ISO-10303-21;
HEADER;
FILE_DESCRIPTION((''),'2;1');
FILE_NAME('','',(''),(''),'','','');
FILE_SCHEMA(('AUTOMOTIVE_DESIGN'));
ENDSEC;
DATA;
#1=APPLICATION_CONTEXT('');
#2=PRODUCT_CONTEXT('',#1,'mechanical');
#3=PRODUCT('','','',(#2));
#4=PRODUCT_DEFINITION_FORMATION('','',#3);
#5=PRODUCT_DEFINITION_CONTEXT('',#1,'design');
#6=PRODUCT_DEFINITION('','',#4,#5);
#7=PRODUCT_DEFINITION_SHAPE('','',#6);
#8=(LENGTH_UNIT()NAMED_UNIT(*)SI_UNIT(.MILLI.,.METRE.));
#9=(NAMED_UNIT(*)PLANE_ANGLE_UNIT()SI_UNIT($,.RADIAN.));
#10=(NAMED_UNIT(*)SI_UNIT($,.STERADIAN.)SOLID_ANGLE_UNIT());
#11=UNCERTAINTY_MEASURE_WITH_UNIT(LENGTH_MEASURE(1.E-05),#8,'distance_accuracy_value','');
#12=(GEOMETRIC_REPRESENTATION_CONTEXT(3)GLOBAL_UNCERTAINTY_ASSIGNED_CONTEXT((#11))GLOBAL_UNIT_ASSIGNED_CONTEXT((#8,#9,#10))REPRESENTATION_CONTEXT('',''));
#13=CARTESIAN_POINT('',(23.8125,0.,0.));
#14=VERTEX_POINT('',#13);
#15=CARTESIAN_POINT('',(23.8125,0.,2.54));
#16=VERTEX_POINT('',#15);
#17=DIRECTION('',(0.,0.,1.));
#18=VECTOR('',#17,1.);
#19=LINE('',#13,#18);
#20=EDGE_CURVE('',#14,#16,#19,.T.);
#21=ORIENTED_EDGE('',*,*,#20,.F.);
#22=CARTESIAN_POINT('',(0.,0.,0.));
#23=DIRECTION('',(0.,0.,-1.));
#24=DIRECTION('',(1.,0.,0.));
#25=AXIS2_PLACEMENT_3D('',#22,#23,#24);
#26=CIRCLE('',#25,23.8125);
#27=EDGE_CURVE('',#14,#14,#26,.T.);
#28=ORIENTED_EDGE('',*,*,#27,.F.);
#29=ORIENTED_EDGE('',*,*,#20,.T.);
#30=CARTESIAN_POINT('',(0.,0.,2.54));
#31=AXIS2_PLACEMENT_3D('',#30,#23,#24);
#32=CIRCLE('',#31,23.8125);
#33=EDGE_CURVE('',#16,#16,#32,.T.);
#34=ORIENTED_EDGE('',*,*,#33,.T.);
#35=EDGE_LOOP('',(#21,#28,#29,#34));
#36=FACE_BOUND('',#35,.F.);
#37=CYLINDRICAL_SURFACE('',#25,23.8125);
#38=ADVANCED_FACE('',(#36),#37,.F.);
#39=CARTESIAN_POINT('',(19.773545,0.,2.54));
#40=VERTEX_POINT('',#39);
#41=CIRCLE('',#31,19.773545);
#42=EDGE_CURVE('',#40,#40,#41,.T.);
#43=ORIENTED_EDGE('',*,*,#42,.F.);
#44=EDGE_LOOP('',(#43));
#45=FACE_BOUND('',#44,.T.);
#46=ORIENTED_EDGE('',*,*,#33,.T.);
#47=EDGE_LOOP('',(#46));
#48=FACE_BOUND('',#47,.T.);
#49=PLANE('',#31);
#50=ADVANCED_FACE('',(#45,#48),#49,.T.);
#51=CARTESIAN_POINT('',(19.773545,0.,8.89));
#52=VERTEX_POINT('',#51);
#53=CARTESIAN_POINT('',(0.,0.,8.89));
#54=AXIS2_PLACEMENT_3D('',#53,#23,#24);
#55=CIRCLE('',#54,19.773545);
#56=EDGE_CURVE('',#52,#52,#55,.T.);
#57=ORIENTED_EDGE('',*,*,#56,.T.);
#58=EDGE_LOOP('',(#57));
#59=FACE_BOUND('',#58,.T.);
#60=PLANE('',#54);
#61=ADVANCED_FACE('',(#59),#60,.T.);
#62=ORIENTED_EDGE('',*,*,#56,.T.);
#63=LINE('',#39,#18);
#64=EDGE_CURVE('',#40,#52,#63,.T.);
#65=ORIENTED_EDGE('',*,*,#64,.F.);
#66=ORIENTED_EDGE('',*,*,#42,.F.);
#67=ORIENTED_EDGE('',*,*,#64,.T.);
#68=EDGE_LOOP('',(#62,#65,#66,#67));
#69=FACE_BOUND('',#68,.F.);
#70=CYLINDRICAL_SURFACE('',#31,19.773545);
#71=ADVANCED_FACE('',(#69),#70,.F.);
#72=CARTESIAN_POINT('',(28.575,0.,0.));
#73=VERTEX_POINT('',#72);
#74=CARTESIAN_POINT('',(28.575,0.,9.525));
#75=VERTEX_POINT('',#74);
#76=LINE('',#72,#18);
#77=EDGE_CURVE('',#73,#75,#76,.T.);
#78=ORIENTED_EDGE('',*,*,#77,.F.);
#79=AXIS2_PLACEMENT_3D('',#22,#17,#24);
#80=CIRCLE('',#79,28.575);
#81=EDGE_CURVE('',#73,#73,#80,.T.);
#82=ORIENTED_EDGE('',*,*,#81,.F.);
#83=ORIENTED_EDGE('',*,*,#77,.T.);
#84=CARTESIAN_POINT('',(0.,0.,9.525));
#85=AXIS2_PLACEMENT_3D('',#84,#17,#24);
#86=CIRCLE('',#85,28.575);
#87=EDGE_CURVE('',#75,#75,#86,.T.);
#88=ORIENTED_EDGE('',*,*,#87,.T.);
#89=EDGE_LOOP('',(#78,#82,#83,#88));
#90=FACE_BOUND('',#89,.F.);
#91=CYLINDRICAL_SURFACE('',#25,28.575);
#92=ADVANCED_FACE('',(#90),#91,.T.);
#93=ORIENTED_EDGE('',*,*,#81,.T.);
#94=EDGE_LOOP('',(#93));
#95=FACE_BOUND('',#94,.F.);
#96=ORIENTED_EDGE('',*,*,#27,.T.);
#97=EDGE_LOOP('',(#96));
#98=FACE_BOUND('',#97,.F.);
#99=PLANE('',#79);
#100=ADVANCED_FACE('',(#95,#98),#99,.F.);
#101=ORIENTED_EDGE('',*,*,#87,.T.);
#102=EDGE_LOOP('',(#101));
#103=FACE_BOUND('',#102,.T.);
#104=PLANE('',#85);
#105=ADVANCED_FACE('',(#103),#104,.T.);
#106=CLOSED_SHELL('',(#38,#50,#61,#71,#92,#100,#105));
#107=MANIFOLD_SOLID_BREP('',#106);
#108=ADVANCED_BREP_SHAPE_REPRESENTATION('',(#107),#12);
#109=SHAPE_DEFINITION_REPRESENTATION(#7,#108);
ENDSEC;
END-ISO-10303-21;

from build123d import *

# Parameters (mm, degrees)
F0_R     = 28.575
F1_DEPTH = 9.525
F2_R     = 23.8125
F3_DEPTH = 2.54
F4_R     = 19.773545
F5_DEPTH = 6.35


with BuildPart() as f1:
    # F0 (on Top) → F1 (new body)
    with BuildSketch(Plane.XY):
        Circle(F0_R)
    extrude(amount=F1_DEPTH)

    # F2 (on face) → F3 (cut)
    with BuildSketch(Plane(origin=(0, 0, 0), x_dir=(1, 0, 0), z_dir=(0, 0, -1))):
        Circle(F2_R)
    extrude(amount=-F3_DEPTH, mode=Mode.SUBTRACT)

    # F4 (on face) → F5 (cut)
    with BuildSketch(Plane(origin=(0, 0, 2.54), x_dir=(1, 0, 0), z_dir=(0, 0, -1))):
        Circle(F4_R)
    extrude(amount=-F5_DEPTH, mode=Mode.SUBTRACT)


solid = f1.part
